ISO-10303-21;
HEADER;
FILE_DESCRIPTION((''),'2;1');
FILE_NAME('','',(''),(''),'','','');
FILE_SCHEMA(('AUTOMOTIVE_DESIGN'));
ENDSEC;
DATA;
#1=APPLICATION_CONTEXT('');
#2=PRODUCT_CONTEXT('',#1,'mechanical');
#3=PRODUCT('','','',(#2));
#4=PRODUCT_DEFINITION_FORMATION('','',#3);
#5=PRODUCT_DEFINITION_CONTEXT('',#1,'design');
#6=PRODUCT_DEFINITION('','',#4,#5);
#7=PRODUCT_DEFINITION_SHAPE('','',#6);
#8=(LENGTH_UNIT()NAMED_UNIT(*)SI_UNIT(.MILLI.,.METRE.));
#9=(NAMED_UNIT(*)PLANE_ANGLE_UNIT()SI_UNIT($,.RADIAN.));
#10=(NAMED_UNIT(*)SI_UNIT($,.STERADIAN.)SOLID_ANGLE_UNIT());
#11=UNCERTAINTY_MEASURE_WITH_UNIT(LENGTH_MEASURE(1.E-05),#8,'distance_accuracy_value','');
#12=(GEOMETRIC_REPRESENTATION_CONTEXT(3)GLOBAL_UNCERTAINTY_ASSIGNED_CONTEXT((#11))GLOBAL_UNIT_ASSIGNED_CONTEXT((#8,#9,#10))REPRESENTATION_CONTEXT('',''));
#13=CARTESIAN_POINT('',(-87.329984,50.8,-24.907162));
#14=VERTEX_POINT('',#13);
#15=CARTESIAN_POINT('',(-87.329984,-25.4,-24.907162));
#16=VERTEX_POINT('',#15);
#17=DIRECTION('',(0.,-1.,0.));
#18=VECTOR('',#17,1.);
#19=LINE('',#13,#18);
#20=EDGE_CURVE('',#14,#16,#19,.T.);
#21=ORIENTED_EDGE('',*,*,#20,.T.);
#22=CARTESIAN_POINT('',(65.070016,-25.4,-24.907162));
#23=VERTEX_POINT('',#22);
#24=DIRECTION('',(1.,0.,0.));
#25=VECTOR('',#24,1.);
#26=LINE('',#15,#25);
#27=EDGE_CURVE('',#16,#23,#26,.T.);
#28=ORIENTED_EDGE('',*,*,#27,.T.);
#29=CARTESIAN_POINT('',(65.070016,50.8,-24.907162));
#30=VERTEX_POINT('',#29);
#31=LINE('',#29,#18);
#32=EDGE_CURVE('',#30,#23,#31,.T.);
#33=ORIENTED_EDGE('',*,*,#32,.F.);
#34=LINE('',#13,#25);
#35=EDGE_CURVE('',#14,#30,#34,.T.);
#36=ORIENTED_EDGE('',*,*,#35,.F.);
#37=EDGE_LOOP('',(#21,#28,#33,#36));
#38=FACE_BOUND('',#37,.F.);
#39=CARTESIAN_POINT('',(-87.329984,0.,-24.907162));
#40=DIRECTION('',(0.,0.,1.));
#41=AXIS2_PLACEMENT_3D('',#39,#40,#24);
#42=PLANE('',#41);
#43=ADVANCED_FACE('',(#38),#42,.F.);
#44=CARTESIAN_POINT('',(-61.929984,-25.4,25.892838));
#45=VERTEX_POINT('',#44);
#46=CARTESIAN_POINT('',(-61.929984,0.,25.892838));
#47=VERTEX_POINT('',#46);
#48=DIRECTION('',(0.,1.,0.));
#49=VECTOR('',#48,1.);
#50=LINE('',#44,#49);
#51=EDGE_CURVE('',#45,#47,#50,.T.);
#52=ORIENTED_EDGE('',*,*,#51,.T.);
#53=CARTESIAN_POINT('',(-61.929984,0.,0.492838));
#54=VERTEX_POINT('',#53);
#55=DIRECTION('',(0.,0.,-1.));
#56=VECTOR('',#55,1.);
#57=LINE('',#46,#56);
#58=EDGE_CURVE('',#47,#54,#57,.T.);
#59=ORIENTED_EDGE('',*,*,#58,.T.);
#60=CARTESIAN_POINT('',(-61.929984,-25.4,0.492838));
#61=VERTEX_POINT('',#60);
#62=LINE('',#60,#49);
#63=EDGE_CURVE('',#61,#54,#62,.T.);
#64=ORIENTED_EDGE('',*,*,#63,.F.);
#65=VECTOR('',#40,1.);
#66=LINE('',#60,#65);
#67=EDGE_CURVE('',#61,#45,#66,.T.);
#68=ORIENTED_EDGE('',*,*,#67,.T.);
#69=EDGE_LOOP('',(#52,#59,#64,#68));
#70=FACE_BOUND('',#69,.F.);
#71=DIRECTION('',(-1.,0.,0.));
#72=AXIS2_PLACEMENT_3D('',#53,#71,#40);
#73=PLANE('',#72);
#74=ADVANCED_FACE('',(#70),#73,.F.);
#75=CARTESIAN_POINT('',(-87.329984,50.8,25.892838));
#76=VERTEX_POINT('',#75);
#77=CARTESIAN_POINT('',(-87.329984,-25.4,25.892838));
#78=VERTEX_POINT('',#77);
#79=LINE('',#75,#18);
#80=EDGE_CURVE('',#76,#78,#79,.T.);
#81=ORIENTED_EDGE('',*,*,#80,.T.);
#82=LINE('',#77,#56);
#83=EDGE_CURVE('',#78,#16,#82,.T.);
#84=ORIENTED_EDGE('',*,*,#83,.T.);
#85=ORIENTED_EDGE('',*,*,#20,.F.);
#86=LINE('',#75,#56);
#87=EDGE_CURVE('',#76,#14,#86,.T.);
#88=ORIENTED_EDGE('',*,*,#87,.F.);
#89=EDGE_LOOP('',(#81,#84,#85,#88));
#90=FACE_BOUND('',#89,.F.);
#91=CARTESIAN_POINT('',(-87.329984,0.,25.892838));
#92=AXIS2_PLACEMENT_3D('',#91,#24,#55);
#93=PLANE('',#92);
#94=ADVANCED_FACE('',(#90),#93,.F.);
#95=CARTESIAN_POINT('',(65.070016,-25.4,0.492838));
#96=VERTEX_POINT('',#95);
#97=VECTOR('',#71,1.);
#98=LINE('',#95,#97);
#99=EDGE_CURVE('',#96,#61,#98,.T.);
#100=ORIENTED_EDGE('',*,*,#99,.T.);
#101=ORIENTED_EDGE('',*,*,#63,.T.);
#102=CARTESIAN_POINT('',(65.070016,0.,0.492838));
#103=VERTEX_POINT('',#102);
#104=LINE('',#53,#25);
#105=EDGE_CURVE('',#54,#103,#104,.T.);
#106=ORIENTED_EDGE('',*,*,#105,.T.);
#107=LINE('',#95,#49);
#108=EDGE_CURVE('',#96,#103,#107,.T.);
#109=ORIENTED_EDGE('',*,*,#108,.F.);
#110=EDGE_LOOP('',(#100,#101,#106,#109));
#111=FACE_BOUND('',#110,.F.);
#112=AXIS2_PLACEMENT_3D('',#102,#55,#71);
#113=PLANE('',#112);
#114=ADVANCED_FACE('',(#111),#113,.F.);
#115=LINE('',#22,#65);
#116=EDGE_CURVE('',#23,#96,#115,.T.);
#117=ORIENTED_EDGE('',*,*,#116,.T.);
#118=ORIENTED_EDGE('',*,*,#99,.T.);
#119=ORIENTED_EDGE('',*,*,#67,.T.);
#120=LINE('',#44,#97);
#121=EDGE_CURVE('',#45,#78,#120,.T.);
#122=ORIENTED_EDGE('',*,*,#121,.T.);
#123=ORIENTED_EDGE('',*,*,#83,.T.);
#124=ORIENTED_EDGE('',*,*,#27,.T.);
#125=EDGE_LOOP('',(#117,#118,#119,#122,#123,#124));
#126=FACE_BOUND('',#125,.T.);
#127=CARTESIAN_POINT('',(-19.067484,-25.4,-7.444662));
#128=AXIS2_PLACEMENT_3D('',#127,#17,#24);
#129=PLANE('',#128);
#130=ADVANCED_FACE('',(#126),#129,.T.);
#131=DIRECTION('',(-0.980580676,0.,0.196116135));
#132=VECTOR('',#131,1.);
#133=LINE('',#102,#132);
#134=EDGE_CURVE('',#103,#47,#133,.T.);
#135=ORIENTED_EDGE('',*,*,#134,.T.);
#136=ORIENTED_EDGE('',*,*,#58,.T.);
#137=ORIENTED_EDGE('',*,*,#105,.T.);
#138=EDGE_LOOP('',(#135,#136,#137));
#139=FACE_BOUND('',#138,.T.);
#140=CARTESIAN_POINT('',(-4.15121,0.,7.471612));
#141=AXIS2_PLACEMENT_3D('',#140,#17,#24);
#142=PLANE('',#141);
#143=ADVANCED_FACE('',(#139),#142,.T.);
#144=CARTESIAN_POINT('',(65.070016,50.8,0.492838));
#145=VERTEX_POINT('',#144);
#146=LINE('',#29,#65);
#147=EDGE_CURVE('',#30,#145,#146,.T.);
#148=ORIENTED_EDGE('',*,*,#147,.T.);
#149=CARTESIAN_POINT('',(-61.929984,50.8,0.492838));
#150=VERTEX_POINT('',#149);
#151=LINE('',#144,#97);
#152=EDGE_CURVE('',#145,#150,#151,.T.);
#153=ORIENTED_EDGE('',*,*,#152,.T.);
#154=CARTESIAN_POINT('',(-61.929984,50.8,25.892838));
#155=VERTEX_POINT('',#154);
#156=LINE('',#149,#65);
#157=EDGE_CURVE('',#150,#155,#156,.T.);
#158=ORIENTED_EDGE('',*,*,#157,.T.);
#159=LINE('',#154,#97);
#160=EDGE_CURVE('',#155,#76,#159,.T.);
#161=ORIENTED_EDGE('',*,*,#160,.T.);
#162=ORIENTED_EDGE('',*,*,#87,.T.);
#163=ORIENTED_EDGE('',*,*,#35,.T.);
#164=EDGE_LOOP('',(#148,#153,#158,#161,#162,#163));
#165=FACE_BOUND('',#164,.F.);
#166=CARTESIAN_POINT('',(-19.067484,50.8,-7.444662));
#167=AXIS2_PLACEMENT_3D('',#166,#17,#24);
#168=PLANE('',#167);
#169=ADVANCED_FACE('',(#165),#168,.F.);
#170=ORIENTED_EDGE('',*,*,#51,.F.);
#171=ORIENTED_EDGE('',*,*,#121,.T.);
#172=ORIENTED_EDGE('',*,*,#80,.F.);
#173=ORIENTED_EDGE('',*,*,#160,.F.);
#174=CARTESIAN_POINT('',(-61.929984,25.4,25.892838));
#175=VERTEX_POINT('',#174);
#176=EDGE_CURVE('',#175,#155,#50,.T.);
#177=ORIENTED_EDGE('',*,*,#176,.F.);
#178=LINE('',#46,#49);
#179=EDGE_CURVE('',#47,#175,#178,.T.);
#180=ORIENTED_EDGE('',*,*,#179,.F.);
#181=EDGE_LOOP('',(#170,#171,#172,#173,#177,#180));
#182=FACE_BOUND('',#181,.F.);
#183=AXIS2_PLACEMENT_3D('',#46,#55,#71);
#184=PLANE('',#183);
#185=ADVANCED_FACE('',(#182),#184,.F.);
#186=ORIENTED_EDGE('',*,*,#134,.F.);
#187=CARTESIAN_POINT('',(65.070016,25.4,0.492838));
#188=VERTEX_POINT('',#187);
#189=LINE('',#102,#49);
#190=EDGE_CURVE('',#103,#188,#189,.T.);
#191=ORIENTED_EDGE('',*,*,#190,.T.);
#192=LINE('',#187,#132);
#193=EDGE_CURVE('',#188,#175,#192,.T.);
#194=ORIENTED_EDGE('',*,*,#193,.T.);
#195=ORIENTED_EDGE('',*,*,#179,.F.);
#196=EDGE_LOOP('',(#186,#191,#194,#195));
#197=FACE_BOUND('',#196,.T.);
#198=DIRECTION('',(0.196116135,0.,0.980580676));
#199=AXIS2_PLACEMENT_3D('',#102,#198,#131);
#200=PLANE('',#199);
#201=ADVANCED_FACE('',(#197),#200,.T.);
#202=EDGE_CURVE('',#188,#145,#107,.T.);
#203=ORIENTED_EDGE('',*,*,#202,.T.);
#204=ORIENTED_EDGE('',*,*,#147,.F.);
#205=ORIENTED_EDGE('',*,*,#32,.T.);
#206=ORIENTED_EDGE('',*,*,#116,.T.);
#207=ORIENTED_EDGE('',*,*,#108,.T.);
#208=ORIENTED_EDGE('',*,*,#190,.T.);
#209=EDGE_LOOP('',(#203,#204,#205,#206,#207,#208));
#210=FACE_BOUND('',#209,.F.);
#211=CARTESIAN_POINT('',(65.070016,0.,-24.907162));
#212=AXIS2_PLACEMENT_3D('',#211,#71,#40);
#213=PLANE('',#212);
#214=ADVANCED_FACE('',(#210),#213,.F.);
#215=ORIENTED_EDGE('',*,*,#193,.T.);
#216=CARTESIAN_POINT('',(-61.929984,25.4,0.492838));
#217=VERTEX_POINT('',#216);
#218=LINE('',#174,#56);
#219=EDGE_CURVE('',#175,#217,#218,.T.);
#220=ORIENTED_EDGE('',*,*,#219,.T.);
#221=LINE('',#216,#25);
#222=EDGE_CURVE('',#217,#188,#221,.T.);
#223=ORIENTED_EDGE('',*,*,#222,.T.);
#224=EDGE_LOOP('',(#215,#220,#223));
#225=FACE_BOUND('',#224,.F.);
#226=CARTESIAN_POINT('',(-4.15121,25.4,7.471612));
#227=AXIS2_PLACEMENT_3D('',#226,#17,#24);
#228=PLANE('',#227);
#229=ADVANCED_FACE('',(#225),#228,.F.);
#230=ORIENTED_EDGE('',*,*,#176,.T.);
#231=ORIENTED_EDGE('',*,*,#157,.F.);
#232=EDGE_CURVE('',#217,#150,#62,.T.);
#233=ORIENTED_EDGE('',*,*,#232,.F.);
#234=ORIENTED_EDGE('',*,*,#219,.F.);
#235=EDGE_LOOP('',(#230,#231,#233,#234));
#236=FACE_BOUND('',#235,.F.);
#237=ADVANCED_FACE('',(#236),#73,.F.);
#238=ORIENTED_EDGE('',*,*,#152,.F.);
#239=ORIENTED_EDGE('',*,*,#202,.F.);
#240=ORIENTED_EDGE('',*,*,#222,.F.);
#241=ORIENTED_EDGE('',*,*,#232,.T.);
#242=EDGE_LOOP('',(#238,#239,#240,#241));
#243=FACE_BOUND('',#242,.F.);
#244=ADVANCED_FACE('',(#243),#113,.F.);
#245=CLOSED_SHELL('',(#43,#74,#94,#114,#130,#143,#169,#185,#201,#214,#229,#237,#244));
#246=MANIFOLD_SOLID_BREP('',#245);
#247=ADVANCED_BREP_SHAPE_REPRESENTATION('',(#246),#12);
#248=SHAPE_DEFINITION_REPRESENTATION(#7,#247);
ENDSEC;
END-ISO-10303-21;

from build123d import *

# Parameters (mm, degrees)
F1_DEPTH = 50.8
F2_DEPTH = 25.4
F3_DEPTH = 25.4


with BuildPart() as f1:
    # F0 (on Front) → F1 (new body)
    with BuildSketch(Plane.XZ):
        Polygon((-61.929984, 25.892838), (-87.329984, 25.892838), (-87.329984, 0.492838), (-87.329984, -24.907162), (-61.929984, -24.907162), (65.070016, -24.907162), (65.070016, 0.492838), (-61.929984, 0.492838), align=None)
    extrude(amount=-F1_DEPTH)

    # F0 (on Front) → F2 (join)
    with BuildSketch(Plane.XZ):
        Polygon((-61.929984, 25.892838), (-87.329984, 25.892838), (-87.329984, 0.492838), (-87.329984, -24.907162), (-61.929984, -24.907162), (65.070016, -24.907162), (65.070016, 0.492838), (-61.929984, 0.492838), align=None)
    extrude(amount=F2_DEPTH)

    # F0 (on Front) → F3 (join)
    with BuildSketch(Plane.XZ):
        Polygon((65.070016, 0.492838), (-61.929984, 25.892838), (-61.929984, 0.492838), align=None)
    extrude(amount=-F3_DEPTH)


solid = f1.part
